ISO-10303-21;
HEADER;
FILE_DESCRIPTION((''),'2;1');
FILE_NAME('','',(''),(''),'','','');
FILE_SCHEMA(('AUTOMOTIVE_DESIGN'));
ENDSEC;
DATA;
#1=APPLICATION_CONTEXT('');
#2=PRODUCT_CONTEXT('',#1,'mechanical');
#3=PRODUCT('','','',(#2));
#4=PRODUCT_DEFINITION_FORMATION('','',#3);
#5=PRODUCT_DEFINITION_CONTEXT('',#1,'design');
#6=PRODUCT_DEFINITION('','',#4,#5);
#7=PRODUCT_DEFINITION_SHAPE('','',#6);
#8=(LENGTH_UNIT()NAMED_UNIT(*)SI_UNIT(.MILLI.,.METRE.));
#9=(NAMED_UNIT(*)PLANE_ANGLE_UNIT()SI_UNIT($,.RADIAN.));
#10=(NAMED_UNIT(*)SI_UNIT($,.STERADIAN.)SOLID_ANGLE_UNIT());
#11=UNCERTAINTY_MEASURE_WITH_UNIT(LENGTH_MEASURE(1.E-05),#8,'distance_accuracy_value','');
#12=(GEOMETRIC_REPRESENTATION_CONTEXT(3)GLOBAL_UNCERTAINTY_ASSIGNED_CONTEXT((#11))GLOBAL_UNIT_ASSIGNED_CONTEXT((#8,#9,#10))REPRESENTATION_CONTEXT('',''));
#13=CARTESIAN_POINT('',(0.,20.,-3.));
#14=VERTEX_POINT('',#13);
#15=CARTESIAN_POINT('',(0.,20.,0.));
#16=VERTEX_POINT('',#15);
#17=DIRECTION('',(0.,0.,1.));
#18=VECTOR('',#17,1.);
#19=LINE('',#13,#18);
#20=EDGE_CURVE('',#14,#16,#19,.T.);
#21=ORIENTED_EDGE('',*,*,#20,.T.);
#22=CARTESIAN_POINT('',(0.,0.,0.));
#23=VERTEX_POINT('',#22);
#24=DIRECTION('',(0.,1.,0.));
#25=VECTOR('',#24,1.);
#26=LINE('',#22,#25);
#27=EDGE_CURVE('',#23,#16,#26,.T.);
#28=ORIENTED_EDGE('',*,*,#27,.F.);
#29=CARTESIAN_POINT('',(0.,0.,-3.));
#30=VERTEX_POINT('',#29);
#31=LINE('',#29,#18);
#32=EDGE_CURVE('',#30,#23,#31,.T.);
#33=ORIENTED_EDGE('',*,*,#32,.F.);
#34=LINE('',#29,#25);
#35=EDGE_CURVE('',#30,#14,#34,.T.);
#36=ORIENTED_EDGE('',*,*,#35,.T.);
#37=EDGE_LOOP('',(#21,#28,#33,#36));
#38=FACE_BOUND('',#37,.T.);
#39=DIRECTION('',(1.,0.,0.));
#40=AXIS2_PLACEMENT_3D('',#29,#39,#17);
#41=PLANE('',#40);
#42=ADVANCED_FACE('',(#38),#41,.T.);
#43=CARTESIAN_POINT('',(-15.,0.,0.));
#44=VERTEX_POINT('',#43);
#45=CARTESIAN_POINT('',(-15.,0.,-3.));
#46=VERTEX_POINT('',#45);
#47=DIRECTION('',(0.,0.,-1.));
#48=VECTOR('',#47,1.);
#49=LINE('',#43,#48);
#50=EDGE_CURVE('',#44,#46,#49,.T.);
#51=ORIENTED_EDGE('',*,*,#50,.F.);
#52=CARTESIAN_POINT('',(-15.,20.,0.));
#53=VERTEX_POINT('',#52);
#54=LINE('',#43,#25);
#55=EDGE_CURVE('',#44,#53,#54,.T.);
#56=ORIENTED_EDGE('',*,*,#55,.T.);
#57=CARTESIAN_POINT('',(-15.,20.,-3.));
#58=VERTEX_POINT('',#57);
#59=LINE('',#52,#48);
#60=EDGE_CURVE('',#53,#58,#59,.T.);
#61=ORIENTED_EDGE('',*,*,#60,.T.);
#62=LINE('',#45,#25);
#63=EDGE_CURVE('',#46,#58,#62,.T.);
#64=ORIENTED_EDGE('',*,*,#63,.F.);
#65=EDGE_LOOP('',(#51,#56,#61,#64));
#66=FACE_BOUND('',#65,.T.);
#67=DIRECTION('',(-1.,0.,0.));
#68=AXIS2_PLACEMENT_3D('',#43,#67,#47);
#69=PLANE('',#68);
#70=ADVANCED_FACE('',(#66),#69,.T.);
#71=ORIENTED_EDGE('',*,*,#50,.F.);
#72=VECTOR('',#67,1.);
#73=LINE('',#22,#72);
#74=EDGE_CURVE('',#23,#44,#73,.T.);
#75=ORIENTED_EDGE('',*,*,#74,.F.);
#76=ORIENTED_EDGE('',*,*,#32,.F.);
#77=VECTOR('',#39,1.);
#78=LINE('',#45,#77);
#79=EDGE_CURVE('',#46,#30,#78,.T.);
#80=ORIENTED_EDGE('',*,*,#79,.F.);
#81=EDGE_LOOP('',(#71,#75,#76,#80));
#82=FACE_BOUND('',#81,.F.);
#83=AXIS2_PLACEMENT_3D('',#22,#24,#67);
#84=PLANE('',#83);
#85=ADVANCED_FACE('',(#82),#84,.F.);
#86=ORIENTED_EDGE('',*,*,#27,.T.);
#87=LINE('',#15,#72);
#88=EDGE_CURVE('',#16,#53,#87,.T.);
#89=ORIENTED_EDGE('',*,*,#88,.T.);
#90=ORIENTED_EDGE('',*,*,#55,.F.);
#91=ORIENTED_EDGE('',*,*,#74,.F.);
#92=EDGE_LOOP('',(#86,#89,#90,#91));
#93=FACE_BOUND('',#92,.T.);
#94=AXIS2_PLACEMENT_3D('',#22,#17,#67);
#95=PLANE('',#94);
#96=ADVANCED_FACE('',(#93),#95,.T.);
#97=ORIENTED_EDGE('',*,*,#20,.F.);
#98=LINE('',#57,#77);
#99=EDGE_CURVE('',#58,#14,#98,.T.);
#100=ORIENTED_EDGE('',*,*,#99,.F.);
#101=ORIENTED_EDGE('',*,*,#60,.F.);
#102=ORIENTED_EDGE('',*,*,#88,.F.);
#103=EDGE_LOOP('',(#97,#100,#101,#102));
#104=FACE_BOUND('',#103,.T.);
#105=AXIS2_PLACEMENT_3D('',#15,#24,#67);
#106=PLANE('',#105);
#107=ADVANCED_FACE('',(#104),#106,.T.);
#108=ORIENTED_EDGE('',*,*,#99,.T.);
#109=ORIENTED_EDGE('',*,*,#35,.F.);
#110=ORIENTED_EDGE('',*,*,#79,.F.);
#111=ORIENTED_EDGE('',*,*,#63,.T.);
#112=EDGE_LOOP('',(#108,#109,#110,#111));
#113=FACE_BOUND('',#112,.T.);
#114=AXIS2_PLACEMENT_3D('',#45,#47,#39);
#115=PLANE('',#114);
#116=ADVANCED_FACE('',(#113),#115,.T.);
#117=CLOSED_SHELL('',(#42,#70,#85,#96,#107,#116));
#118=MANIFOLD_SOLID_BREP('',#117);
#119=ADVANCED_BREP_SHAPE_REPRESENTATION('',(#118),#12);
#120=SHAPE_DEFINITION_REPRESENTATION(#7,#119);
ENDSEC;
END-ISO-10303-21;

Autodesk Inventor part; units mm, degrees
ref_plane "YZ Plane" through (0, 0, 0) normal (1, 0, 0) x (0, 1, 0)
ref_plane "XZ Plane" through (0, 0, 0) normal (0, 1, 0) x (-1, 0, 0)
ref_plane "XY Plane" through (0, 0, 0) normal (0, 0, 1) x (1, 0, 0)
sketch "Sketch1" plane through (0, 0, 0) normal (0, 1, 0) x (-1, 0, 0)
  line L0 (0, 0) -> (15, 0)
  line L1 (15, 0) -> (15, -3)
  line L2 (15, -3) -> (0, -3)
  line L3 (0, -3) -> (0, 0)
  dimension "d0" = 15
  dimension "d1" = 3
extrude "Extrusion1" add sketch "Sketch1" along normal blind 20
properties part number "Connector Plate"
